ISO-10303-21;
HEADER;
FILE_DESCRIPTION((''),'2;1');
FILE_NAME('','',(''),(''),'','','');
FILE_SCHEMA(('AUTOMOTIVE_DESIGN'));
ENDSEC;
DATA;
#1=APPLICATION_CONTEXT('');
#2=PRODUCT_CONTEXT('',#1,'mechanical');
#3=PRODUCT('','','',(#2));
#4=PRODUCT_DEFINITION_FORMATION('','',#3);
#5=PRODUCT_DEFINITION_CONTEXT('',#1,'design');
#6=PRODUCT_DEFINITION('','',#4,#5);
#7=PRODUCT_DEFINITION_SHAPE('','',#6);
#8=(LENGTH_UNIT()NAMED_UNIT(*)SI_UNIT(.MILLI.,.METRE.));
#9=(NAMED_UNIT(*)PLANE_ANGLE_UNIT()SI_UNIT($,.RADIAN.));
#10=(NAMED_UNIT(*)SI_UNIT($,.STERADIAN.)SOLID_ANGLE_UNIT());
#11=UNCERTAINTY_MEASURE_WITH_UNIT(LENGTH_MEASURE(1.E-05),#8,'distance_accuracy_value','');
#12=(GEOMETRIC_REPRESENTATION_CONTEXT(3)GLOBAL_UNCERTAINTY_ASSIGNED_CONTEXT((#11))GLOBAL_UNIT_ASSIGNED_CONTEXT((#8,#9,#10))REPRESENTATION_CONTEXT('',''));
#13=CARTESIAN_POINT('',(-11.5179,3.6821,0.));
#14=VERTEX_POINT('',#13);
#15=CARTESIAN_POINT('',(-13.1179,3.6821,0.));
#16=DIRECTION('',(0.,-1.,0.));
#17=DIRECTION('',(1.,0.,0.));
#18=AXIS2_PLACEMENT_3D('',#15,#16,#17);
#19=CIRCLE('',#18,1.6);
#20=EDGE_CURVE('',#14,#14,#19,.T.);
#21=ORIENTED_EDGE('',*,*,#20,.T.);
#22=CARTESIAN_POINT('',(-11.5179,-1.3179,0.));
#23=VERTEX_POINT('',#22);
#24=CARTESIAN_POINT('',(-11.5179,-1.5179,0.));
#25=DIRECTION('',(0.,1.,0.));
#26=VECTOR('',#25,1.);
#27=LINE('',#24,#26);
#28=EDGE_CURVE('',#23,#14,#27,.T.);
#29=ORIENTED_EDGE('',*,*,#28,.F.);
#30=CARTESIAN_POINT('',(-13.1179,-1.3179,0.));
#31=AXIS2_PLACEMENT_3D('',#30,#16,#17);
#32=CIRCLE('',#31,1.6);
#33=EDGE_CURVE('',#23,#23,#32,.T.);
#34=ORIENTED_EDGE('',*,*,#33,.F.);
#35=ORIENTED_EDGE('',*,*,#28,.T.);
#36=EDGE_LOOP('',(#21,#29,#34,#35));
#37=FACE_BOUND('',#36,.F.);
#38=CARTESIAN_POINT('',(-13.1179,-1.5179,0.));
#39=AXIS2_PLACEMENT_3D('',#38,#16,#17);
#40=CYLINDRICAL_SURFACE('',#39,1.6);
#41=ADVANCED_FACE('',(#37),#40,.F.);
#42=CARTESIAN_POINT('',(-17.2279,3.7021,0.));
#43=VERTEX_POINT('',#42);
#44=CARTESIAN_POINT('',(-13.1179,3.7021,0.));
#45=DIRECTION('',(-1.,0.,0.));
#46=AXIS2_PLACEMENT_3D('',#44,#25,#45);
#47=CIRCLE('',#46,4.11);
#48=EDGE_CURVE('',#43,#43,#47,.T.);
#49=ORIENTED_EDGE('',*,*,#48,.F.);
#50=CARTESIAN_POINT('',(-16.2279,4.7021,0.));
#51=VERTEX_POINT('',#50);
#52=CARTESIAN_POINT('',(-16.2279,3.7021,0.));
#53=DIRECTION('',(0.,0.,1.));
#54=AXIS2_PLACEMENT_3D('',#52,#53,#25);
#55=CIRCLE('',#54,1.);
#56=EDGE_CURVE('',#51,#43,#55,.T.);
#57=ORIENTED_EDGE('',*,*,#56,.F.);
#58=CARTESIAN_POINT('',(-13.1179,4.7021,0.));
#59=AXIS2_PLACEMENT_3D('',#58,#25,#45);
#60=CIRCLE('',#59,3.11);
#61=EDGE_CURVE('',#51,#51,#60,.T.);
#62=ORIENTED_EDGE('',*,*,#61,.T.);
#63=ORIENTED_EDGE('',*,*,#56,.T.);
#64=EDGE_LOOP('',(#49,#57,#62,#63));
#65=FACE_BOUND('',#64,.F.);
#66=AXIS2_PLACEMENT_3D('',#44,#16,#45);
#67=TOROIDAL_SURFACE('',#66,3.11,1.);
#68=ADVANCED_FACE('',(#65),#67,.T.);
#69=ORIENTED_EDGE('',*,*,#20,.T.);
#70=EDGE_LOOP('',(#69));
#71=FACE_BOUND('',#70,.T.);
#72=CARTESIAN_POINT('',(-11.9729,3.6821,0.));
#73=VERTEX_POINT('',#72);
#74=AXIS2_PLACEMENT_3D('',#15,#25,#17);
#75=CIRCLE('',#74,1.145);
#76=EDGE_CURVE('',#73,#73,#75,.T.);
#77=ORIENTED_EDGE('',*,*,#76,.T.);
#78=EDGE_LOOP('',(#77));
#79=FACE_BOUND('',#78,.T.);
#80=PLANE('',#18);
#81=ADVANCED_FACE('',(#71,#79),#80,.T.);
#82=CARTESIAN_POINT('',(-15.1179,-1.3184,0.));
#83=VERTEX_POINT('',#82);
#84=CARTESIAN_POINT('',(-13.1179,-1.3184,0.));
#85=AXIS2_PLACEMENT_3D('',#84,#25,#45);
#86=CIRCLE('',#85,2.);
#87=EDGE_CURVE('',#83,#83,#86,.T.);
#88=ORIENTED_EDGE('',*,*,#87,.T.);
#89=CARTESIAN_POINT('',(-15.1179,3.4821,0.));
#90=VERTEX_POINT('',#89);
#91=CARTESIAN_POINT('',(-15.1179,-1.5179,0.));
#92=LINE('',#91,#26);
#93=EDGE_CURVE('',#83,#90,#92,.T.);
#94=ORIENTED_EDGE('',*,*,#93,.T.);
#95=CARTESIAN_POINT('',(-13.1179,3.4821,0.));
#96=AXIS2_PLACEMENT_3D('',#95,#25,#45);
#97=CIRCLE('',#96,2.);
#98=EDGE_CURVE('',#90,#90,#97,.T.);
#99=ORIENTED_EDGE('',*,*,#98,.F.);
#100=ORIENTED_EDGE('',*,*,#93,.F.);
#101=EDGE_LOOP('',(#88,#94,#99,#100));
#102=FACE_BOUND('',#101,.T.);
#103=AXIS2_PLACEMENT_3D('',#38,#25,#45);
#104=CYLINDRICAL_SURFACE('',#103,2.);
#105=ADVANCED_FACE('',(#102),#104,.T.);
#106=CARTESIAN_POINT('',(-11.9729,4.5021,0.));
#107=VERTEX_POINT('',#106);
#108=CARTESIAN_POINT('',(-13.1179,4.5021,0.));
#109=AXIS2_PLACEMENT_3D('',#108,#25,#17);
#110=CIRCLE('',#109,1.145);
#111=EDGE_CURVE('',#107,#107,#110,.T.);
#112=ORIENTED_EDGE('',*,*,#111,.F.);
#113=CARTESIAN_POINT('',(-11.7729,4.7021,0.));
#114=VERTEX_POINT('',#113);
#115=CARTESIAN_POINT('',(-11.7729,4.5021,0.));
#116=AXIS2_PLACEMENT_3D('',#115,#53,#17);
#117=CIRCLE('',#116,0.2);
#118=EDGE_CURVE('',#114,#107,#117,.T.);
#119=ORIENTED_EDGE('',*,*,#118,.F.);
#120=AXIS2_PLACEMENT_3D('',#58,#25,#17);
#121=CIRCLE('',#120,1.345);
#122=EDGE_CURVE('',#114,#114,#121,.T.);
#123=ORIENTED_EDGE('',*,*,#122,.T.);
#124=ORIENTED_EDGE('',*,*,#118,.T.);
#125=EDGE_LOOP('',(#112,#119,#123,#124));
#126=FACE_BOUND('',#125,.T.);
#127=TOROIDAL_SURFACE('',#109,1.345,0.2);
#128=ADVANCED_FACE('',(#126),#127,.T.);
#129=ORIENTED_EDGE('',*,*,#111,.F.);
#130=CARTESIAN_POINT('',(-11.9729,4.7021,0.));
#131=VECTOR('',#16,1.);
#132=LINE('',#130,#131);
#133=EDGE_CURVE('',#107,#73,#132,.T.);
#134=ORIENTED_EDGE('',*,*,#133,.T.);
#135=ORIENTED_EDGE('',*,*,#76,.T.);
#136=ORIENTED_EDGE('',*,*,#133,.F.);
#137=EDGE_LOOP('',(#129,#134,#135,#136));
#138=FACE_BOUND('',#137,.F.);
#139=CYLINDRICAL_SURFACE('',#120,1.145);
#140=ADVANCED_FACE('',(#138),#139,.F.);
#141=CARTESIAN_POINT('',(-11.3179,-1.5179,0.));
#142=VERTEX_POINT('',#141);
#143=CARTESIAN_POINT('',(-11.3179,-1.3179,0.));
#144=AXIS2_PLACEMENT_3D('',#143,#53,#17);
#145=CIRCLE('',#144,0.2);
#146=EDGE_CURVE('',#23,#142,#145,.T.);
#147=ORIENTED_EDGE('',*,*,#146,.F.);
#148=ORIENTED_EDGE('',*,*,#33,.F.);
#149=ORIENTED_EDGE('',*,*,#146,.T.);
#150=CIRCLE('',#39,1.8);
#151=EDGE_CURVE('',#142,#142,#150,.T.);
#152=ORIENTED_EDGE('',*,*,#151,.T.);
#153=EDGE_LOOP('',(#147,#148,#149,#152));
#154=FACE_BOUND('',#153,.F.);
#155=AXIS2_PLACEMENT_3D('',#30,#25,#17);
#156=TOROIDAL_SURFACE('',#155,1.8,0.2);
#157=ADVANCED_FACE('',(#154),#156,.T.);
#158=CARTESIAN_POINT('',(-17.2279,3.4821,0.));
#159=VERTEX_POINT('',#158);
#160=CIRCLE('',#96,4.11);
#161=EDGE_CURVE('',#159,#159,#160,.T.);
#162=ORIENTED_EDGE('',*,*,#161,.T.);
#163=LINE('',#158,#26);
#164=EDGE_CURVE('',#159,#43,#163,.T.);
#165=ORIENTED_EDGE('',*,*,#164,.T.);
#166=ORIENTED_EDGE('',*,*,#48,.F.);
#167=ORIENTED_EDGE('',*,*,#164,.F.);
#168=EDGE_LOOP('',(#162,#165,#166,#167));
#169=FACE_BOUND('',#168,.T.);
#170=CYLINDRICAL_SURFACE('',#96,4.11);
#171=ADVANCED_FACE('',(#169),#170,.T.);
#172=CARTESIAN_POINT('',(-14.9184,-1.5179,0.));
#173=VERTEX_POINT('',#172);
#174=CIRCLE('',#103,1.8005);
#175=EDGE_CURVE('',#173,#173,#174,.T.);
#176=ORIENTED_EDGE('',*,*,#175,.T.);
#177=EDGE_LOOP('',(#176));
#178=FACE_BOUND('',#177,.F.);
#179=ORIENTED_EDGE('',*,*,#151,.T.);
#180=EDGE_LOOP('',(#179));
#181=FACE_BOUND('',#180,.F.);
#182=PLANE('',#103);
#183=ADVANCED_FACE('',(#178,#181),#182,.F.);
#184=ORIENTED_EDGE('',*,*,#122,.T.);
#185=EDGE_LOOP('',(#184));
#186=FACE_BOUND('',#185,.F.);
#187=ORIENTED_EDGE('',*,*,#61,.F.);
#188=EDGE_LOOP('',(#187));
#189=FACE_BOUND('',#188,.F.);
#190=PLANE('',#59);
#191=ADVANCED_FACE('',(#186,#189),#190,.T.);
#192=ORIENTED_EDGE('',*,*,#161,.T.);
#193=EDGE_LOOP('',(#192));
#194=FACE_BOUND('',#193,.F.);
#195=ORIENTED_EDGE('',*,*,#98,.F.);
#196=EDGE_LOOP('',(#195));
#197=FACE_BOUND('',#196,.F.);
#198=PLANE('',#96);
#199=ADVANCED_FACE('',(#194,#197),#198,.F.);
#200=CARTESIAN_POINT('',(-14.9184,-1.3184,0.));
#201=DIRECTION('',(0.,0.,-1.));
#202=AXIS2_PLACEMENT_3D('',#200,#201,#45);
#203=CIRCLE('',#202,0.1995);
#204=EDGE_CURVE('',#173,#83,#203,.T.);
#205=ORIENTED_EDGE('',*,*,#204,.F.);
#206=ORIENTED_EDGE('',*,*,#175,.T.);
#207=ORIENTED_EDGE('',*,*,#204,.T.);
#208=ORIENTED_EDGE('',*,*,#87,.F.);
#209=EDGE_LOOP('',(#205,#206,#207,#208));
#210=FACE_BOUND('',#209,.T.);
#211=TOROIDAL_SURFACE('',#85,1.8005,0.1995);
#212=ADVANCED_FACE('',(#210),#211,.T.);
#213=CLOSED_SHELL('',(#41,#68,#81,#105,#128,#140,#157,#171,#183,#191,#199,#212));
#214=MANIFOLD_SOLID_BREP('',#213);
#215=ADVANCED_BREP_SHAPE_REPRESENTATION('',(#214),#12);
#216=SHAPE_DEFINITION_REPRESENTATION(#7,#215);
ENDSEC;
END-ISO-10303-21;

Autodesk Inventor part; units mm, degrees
ref_plane "YZ Plane" through (0, 0, 0) normal (1, 0, 0) x (0, 1, 0)
ref_plane "XZ Plane" through (0, 0, 0) normal (0, 1, 0) x (-1, 0, 0)
ref_plane "XY Plane" through (0, 0, 0) normal (0, 0, 1) x (1, 0, 0)
sketch "Sketch1" plane through (0, 0, 0) normal (0, 0, 1) x (1, 0, 0)
  line L0 (-17.2279, 3.4821) -> (-17.2279, 3.7021)
  line L1 (-13.1179, 4.7021) -> (-16.2279, 4.7021)
  arc A0 (-16.2279, 4.7021) -> (-17.2279, 3.7021) centre (-16.2279, 3.7021) ccw
  line L2 (-15.1179, -1.5179) -> (-13.1179, -1.5179)
  line L3 (-15.1179, -1.5179) -> (-15.1179, 3.4821)
  line L4 (-13.1179, -1.5179) -> (-13.1179, 4.7021)
  line L5 (-17.2279, 3.4821) -> (-13.1179, 3.4821)
  point P0 (-17.2279, 4.7021)
  dimension "d0" = 1.22
  dimension "d2" = 1
  dimension "d7" = 2
  dimension "d8" = 3.11
  dimension "d9" = 4.11
  dimension "d10" = 6.22
  dimension "d11" = 5
revolve "Revolution1" add sketch "Sketch1" angle 360 about axis through (-13.1179, -1.5179, 0) along (0, 1, 0)
sketch "Sketch2" plane through (-13.1179, 4.7021, 0) normal (0, 1, 0) x (1, 0, 0)
  circle A0 centre (0, 0) radius 1.145
  dimension "d13" = 2.29
extrude "Extrusion1" cut sketch "Sketch2" against normal blind 10
fillet "Fillet1" radius 0.2 1 edges at (-14.2629, 4.7021, 0)
sketch "Sketch3" plane through (-13.1179, -1.5179, 0) normal (0, -1, 0) x (1, 0, 0)
  circle A0 centre (0, 0) radius 1.6
  dimension "d17" = 3.2
extrude "Extrusion2" cut sketch "Sketch3" against normal blind 5.2
fillet "Fillet2" radius 0.2 1 edges at (-14.7179, -1.5179, 0)
fillet "Fillet3" radius 0.2 1 edges at (-11.1179, -1.5179, 0)
properties part number "Remache POP Abierto con Rotura de Vástago D4" material "Aluminum 7175 T73 0 Hot Formed"
